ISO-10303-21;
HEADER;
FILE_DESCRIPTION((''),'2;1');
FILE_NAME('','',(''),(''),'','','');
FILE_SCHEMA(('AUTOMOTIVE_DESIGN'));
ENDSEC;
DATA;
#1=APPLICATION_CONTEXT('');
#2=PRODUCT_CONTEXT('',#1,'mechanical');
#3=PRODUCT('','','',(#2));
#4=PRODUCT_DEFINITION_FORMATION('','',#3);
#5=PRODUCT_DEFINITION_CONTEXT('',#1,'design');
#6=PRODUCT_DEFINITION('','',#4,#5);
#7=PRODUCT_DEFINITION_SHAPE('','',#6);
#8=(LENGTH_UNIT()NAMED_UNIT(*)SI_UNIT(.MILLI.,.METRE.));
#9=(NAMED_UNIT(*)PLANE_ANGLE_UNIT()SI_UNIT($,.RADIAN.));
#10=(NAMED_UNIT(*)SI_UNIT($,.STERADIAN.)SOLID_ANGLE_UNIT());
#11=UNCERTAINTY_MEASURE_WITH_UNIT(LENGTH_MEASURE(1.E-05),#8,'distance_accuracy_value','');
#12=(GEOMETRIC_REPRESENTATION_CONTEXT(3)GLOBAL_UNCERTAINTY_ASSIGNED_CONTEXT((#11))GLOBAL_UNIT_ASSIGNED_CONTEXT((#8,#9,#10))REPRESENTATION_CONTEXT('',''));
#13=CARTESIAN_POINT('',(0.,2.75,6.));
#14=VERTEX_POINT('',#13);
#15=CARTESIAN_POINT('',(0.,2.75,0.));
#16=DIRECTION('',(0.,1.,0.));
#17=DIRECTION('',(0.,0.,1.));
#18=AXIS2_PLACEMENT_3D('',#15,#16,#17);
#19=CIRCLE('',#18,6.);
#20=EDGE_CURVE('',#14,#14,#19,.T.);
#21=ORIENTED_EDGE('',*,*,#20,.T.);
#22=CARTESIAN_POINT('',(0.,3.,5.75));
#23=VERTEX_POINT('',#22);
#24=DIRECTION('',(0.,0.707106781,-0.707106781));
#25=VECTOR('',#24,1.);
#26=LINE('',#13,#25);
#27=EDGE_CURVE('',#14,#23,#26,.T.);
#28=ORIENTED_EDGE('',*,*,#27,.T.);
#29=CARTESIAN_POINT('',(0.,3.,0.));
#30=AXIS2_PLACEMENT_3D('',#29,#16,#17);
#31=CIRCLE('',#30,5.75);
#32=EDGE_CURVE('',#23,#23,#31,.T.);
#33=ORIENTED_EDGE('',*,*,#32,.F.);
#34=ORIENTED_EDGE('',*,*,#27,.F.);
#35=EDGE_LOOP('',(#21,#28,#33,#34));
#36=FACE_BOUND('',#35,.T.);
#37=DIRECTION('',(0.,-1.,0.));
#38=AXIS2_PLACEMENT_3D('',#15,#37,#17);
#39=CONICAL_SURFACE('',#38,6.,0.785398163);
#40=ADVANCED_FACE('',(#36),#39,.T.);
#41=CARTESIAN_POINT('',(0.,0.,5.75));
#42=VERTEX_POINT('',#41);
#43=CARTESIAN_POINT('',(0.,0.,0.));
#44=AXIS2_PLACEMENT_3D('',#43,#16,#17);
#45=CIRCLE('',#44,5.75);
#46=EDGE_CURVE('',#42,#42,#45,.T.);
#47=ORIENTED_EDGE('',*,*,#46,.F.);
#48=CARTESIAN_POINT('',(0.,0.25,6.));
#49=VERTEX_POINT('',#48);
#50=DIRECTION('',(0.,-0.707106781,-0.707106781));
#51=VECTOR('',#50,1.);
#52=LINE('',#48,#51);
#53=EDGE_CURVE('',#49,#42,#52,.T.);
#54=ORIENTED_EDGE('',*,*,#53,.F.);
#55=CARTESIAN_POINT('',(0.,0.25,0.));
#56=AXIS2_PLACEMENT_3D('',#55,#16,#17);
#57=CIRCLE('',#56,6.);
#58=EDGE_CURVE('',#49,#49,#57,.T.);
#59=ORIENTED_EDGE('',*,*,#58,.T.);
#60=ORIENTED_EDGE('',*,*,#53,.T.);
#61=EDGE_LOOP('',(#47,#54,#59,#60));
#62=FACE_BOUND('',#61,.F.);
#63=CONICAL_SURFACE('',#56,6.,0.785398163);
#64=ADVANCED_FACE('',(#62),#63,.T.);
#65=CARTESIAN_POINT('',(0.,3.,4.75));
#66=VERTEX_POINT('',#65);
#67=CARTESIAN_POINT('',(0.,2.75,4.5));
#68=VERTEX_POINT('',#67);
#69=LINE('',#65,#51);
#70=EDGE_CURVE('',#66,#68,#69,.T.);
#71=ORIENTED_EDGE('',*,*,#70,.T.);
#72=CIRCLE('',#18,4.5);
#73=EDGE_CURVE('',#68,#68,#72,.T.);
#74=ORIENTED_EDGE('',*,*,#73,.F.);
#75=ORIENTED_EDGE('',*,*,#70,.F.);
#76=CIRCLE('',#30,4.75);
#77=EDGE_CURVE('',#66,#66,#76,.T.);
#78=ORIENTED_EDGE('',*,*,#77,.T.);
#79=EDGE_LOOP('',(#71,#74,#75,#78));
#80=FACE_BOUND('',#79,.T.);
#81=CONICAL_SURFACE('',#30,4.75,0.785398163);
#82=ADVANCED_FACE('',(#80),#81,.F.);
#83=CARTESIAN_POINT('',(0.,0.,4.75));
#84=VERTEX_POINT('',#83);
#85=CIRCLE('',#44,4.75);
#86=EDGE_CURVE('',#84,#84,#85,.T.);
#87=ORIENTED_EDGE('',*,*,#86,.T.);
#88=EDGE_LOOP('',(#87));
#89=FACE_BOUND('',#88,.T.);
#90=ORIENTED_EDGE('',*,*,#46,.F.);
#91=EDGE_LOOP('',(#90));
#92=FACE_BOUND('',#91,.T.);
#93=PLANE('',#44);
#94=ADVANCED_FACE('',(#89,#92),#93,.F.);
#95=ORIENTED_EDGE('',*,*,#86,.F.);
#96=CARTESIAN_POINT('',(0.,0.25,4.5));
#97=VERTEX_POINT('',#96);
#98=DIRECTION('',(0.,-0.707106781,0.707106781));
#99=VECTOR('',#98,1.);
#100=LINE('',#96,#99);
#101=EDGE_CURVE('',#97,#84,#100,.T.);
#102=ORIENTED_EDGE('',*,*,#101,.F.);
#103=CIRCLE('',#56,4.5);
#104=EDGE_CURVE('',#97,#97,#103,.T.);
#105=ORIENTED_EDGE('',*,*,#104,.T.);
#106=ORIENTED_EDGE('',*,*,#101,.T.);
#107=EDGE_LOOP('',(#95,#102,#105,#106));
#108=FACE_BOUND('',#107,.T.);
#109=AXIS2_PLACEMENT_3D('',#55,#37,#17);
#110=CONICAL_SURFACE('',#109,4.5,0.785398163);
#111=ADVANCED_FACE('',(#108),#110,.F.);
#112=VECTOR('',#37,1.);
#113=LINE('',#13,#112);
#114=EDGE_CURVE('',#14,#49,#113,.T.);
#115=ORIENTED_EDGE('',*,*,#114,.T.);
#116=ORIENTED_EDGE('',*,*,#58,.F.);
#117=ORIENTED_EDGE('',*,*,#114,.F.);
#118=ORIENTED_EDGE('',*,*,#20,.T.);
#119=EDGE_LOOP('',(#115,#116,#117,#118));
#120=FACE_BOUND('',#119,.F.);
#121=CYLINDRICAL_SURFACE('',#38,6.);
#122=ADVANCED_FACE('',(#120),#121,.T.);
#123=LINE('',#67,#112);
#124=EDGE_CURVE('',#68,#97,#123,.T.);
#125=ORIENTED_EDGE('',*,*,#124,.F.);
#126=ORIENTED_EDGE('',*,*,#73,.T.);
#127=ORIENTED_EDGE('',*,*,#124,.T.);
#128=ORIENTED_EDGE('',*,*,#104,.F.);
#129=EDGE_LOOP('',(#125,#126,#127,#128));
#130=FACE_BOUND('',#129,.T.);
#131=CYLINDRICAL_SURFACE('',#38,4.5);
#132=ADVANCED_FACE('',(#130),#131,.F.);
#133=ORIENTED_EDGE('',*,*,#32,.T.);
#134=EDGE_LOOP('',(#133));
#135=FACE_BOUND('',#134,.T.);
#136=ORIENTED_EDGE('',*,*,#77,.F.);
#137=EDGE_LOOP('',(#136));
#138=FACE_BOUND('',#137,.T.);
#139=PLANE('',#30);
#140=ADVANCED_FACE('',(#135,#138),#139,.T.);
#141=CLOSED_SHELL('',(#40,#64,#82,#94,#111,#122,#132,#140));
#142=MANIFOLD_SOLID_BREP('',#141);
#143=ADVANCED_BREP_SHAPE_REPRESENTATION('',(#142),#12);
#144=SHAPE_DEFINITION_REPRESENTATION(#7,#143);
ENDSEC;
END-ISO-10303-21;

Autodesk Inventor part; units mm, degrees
ref_plane "YZ Plane" through (0, 0, 0) normal (1, 0, 0) x (0, 1, 0)
ref_plane "XZ Plane" through (0, 0, 0) normal (0, 1, 0) x (-1, 0, 0)
ref_plane "XY Plane" through (0, 0, 0) normal (0, 0, 1) x (1, 0, 0)
sketch "Sketch1" plane through (0, 0, 0) normal (1, 0, 0) x (0, 1, 0)
  line L0 (0, 0) -> (3.594, 0) construction
  line L1 (3, 5.75) -> (3, 4.75)
  line L2 (3, 4.75) -> (2.75, 4.5)
  line L3 (2.75, 4.5) -> (0.25, 4.5)
  line L4 (0.25, 4.5) -> (0, 4.75)
  line L5 (0, 4.75) -> (0, 5.75)
  line L6 (2.75, 6) -> (3, 5.75)
  line L7 (2.75, 6) -> (0.25, 6)
  line L8 (0.25, 6) -> (0, 5.75)
  dimension "d3" = 3
  dimension "d4" = 4.5
  dimension "d6" = 6
  dimension "d7" = 0.25
  dimension "d8" = 0.25
  dimension "d9" = 0.25
  dimension "d10" = 0.25
  dimension "d11" = 0.25
  dimension "d12" = 0.25
  dimension "d13" = 0.25
  dimension "d14" = 0.25
revolve "Revolution1" add sketch "Sketch1" angle 360 about axis through (0, 0, 0) along (0, 1, 0)
thread "Thread1" size "M9x0.5" class "6H" standard "ANSI Metric M Profile" full length
properties part number "Component 38(Exhaust Pipe Ring)"
